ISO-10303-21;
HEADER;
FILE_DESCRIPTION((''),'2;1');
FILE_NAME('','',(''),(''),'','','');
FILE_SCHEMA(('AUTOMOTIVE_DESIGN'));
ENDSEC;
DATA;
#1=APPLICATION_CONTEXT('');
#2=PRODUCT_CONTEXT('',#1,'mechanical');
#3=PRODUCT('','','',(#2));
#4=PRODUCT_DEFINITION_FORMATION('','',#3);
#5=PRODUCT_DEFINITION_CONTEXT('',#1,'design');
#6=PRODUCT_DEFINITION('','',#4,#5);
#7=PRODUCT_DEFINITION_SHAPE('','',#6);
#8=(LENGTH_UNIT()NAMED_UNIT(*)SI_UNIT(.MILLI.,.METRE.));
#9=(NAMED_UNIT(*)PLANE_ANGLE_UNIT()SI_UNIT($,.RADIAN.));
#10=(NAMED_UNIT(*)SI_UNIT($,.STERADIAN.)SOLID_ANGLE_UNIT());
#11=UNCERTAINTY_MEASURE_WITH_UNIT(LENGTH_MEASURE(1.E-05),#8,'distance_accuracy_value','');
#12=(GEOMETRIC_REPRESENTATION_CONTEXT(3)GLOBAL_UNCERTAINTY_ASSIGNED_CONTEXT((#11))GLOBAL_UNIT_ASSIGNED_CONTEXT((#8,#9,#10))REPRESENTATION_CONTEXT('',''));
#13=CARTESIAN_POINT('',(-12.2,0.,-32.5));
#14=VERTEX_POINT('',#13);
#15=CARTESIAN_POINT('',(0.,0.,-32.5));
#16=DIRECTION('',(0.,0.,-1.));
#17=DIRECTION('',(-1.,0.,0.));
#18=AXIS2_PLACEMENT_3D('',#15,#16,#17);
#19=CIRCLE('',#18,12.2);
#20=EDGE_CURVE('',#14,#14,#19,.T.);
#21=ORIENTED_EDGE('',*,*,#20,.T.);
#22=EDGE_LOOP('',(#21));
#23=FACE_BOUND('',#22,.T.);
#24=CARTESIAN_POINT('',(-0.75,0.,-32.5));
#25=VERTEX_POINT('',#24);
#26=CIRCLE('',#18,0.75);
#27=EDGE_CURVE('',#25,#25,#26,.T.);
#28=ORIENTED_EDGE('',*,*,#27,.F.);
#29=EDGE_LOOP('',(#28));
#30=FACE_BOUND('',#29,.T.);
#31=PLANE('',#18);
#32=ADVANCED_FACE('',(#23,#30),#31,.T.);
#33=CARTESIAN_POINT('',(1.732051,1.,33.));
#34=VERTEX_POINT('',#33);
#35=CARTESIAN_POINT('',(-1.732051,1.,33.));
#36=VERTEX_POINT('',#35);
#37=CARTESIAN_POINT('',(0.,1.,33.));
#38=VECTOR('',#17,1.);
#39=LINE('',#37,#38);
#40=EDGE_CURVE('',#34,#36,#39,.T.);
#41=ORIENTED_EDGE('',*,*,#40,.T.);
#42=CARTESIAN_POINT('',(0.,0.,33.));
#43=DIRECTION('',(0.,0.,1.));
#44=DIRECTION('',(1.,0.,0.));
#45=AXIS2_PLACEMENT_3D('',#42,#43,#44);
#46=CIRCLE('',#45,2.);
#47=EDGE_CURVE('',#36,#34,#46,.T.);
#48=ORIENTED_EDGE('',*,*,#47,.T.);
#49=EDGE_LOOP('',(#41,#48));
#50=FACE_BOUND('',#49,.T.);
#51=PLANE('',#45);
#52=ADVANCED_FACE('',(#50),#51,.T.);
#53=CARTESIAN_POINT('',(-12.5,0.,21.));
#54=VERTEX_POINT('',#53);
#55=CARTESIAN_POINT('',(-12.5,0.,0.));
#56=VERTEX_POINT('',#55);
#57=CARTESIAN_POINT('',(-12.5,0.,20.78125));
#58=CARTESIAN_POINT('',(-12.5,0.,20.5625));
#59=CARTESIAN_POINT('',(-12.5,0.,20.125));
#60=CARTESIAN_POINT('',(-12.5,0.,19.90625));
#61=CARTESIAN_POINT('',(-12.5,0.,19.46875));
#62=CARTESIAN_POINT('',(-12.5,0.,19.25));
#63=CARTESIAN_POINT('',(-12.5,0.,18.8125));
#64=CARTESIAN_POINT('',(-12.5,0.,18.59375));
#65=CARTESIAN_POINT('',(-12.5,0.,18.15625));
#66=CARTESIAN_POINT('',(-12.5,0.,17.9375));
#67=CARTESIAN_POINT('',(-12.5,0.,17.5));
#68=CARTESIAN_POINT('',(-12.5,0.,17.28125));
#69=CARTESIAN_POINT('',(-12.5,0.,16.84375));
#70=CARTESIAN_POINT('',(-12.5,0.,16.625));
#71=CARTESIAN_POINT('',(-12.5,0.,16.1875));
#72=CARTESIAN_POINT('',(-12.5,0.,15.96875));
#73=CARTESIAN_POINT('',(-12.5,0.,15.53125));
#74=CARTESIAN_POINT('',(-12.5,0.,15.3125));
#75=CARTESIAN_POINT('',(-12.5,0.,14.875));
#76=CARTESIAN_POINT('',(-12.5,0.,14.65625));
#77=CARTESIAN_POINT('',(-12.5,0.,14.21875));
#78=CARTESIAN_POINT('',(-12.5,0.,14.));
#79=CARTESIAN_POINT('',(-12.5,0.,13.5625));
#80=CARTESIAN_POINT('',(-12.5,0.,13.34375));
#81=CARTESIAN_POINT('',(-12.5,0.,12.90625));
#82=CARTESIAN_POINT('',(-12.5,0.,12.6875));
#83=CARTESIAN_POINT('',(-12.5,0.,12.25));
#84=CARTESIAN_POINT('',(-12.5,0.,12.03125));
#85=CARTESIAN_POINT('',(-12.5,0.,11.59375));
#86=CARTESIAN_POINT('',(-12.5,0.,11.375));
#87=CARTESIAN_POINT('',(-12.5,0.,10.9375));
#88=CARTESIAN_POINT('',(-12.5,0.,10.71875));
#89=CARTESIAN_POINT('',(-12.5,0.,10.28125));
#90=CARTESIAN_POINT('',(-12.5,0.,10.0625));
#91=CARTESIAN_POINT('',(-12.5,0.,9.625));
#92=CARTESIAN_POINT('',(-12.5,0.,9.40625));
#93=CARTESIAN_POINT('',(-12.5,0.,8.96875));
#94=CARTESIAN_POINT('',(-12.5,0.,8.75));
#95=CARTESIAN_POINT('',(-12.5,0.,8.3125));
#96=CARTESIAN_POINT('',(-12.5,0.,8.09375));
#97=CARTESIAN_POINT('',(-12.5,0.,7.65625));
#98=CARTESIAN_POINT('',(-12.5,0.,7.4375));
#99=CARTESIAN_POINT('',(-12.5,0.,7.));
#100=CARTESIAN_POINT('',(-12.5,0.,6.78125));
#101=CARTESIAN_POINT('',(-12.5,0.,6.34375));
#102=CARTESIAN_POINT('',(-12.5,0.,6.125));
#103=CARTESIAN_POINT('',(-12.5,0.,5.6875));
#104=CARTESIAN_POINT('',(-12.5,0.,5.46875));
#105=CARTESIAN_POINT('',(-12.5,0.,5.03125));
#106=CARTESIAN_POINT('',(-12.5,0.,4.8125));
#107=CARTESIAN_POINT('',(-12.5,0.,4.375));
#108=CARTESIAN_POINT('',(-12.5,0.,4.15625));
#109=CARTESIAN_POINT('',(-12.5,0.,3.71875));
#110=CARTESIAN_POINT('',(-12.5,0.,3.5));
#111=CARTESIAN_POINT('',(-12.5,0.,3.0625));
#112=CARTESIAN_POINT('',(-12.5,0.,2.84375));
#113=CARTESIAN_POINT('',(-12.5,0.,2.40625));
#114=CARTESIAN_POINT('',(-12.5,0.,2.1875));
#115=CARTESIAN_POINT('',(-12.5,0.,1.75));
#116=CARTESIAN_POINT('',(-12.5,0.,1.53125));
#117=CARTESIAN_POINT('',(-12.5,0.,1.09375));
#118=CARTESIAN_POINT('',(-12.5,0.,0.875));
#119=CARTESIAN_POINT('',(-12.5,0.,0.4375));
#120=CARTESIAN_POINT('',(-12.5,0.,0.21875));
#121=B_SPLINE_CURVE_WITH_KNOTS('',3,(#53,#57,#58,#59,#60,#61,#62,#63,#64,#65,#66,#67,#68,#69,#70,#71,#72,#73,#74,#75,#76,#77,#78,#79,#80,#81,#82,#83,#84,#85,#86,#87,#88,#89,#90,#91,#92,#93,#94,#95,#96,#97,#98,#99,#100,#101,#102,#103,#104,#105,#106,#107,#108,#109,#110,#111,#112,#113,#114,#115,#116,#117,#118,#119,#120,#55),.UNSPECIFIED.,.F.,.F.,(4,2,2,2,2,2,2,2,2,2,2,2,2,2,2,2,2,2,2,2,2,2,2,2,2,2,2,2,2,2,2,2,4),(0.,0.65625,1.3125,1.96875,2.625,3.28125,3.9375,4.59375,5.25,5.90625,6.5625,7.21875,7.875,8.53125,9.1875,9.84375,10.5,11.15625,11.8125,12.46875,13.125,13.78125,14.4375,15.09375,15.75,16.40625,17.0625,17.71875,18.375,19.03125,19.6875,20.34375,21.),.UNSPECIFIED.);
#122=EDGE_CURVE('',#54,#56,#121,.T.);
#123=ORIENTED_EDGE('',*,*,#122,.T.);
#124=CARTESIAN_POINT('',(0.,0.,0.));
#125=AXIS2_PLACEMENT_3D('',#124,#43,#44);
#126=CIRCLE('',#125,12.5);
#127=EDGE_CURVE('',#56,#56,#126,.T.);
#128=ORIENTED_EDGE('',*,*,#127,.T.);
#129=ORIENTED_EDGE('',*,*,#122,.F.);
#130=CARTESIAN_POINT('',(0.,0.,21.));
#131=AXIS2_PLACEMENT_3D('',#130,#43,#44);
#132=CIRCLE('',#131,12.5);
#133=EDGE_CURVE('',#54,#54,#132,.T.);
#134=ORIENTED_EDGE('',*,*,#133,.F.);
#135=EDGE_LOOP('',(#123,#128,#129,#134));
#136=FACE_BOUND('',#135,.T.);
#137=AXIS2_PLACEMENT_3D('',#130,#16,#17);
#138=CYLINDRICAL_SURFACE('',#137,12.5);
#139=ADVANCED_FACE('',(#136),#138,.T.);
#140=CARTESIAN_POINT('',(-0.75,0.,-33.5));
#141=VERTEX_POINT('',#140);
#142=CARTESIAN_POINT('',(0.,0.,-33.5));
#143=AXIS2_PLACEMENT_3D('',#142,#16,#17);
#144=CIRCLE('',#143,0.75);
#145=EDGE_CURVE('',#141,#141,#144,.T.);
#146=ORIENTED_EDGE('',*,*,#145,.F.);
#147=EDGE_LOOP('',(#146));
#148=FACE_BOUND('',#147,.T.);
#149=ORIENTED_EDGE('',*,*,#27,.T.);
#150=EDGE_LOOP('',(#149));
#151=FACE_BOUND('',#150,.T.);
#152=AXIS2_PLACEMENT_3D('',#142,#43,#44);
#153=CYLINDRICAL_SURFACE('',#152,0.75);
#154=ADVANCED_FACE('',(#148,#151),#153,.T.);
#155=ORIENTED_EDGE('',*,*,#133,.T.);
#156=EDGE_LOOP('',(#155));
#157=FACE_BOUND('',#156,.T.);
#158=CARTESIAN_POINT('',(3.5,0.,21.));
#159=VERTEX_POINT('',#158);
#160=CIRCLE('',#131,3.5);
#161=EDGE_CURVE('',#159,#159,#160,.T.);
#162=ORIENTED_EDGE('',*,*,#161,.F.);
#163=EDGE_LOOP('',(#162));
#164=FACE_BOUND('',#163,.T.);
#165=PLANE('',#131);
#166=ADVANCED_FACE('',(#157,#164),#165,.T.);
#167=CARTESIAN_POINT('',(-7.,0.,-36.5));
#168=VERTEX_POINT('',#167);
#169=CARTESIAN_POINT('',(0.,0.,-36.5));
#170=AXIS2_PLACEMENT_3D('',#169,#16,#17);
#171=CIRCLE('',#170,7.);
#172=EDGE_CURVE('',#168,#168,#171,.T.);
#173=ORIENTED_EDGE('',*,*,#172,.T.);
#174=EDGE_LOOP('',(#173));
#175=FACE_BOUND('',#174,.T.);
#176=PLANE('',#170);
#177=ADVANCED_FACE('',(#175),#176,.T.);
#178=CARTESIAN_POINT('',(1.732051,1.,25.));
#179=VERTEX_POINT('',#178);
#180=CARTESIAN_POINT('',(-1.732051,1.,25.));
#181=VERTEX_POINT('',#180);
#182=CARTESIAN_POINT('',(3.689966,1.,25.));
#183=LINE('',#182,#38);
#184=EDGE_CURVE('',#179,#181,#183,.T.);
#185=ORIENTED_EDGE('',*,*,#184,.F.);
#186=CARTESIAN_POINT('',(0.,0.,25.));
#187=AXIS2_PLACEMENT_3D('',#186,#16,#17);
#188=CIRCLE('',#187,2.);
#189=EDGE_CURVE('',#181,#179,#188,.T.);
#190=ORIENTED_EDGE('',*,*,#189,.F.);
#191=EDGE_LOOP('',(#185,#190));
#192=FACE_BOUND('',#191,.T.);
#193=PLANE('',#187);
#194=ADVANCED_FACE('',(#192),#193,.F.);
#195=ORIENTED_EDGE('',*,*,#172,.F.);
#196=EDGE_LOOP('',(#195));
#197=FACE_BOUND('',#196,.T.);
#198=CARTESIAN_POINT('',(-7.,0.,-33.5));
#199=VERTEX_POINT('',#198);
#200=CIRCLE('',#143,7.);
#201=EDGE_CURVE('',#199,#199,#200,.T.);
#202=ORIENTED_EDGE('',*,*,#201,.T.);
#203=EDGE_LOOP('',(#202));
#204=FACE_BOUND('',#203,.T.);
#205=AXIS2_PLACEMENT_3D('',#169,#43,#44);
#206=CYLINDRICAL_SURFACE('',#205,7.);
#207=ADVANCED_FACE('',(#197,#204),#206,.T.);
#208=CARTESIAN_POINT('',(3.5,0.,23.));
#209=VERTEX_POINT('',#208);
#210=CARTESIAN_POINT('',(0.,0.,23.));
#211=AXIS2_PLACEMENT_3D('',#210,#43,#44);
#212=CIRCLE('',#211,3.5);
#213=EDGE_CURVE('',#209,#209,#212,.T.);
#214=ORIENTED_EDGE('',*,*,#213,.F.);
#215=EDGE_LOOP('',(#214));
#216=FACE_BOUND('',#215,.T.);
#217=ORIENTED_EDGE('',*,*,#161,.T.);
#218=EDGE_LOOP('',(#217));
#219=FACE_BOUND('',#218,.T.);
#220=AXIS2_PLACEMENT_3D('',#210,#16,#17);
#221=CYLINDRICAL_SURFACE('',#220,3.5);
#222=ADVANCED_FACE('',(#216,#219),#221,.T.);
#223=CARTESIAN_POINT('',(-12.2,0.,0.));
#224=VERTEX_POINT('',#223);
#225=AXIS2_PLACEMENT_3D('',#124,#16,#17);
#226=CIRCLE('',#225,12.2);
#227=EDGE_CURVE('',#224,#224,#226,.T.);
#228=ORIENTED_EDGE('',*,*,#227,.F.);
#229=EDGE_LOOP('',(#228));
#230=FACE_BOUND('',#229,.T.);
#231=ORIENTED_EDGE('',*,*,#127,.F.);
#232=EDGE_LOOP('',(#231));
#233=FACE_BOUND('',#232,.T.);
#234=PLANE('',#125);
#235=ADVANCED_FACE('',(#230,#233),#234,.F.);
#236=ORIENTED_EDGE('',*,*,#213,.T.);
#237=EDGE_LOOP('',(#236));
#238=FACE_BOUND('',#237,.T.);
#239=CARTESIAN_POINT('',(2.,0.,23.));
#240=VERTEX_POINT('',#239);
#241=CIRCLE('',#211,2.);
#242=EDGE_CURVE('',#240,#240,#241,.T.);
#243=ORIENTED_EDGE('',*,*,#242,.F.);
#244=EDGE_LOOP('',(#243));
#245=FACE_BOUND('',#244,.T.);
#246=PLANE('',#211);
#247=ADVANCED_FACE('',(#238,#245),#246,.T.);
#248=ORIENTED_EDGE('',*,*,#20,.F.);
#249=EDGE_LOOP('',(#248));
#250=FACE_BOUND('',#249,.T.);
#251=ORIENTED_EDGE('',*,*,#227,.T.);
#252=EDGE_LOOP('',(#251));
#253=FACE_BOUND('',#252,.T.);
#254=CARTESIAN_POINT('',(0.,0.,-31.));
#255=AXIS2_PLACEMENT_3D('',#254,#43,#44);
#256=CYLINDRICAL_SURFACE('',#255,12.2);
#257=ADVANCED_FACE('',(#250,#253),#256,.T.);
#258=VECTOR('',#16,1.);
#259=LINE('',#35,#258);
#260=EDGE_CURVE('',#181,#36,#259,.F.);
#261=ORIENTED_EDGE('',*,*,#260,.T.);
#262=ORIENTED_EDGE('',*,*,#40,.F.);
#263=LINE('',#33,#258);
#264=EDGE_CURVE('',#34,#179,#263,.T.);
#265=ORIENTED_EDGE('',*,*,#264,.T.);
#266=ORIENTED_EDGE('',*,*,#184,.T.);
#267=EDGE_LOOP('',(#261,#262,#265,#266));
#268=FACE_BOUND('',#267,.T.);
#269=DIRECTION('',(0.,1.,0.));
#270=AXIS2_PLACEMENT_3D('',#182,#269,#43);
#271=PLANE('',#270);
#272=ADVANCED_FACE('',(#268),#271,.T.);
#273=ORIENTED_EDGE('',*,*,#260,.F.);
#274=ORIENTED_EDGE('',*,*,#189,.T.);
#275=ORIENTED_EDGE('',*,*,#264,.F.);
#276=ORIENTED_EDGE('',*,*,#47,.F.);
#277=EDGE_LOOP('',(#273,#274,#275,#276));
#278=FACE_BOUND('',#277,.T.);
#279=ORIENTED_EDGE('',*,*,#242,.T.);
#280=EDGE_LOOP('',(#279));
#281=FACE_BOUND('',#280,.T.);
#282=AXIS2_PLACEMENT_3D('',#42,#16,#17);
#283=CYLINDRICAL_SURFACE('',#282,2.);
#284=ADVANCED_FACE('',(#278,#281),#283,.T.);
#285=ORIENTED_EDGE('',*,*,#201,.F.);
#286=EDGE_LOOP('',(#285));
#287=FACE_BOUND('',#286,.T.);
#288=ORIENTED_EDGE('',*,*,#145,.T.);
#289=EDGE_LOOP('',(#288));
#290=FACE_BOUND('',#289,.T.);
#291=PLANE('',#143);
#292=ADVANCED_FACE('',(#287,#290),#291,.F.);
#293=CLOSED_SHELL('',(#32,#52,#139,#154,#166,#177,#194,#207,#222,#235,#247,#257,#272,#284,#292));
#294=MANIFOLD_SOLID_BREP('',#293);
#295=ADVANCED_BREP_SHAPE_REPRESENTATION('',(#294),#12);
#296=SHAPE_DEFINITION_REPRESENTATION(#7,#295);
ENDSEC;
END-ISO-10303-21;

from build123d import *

# Parameters (mm, degrees)
ESBO_O1_R                 = 12.5
RESSALTO_EXTRUS_O2_DEPTH  = 21
ESBO_O2_R                 = 12.2
RESSALTO_EXTRUS_O3_DEPTH  = 31
ESBO_O3_R                 = 3.5
RESSALTO_EXTRUS_O4_DEPTH  = 2
ESBO_O4_R                 = 2
RESSALTO_EXTRUS_O6_DEPTH  = 10
CORTE_EXTRUS_O1_DEPTH     = 8
ESBO_O7_R                 = 12.2
RESSALTO_EXTRUS_O8_DEPTH  = 1.5
ESBO_O8_R                 = 0.75
RESSALTO_EXTRUS_O9_DEPTH  = 1
ESBO_O9_R                 = 7
RESSALTO_EXTRUS_O10_DEPTH = 3


with BuildPart() as part:
    # Esboço1 → Ressalto-extrusão2 (new body)
    with BuildSketch(Plane.XY):
        with Locations(Location((0, 0, 0), (0, 0, 180))):
            Circle(ESBO_O1_R)
    extrude(amount=RESSALTO_EXTRUS_O2_DEPTH)

    # Esboço2 → Ressalto-extrusão3 (add)
    with BuildSketch(Plane(origin=(0, 0, 0), x_dir=(-1, 0, 0), z_dir=(0, 0, -1))):
        Circle(ESBO_O2_R)
    extrude(amount=RESSALTO_EXTRUS_O3_DEPTH)

    # Esboço3 → Ressalto-extrusão4 (add)
    with BuildSketch(Plane.XY.offset(21)):
        Circle(ESBO_O3_R)
    extrude(amount=RESSALTO_EXTRUS_O4_DEPTH)

    # Esboço4 → Ressalto-extrusão6 (add)
    with BuildSketch(Plane.XY.offset(23)):
        Circle(ESBO_O4_R)
    extrude(amount=RESSALTO_EXTRUS_O6_DEPTH)

    # Esboço6 → Corte-extrusão1 (cut)
    with BuildSketch(Plane.XY.offset(33)):
        Polygon((0, 2), (3.689966046, 2), (3.689966046, 1), (-3.825112122, 1), (-3.825112122, 2), align=None)
    extrude(amount=-CORTE_EXTRUS_O1_DEPTH, mode=Mode.SUBTRACT)

    # Esboço7 → Ressalto-extrusão8 (add)
    with BuildSketch(Plane(origin=(0, 0, -31), x_dir=(-1, 0, 0), z_dir=(0, 0, -1))):
        Circle(ESBO_O7_R)
    extrude(amount=RESSALTO_EXTRUS_O8_DEPTH)

    # Esboço8 → Ressalto-extrusão9 (add)
    with BuildSketch(Plane(origin=(0, 0, -32.5), x_dir=(-1, 0, 0), z_dir=(0, 0, -1))):
        Circle(ESBO_O8_R)
    extrude(amount=RESSALTO_EXTRUS_O9_DEPTH)

    # Esboço9 → Ressalto-extrusão10 (add)
    with BuildSketch(Plane(origin=(0, 0, -33.5), x_dir=(-1, 0, 0), z_dir=(0, 0, -1))):
        Circle(ESBO_O9_R)
    extrude(amount=RESSALTO_EXTRUS_O10_DEPTH)


solid = part.part
